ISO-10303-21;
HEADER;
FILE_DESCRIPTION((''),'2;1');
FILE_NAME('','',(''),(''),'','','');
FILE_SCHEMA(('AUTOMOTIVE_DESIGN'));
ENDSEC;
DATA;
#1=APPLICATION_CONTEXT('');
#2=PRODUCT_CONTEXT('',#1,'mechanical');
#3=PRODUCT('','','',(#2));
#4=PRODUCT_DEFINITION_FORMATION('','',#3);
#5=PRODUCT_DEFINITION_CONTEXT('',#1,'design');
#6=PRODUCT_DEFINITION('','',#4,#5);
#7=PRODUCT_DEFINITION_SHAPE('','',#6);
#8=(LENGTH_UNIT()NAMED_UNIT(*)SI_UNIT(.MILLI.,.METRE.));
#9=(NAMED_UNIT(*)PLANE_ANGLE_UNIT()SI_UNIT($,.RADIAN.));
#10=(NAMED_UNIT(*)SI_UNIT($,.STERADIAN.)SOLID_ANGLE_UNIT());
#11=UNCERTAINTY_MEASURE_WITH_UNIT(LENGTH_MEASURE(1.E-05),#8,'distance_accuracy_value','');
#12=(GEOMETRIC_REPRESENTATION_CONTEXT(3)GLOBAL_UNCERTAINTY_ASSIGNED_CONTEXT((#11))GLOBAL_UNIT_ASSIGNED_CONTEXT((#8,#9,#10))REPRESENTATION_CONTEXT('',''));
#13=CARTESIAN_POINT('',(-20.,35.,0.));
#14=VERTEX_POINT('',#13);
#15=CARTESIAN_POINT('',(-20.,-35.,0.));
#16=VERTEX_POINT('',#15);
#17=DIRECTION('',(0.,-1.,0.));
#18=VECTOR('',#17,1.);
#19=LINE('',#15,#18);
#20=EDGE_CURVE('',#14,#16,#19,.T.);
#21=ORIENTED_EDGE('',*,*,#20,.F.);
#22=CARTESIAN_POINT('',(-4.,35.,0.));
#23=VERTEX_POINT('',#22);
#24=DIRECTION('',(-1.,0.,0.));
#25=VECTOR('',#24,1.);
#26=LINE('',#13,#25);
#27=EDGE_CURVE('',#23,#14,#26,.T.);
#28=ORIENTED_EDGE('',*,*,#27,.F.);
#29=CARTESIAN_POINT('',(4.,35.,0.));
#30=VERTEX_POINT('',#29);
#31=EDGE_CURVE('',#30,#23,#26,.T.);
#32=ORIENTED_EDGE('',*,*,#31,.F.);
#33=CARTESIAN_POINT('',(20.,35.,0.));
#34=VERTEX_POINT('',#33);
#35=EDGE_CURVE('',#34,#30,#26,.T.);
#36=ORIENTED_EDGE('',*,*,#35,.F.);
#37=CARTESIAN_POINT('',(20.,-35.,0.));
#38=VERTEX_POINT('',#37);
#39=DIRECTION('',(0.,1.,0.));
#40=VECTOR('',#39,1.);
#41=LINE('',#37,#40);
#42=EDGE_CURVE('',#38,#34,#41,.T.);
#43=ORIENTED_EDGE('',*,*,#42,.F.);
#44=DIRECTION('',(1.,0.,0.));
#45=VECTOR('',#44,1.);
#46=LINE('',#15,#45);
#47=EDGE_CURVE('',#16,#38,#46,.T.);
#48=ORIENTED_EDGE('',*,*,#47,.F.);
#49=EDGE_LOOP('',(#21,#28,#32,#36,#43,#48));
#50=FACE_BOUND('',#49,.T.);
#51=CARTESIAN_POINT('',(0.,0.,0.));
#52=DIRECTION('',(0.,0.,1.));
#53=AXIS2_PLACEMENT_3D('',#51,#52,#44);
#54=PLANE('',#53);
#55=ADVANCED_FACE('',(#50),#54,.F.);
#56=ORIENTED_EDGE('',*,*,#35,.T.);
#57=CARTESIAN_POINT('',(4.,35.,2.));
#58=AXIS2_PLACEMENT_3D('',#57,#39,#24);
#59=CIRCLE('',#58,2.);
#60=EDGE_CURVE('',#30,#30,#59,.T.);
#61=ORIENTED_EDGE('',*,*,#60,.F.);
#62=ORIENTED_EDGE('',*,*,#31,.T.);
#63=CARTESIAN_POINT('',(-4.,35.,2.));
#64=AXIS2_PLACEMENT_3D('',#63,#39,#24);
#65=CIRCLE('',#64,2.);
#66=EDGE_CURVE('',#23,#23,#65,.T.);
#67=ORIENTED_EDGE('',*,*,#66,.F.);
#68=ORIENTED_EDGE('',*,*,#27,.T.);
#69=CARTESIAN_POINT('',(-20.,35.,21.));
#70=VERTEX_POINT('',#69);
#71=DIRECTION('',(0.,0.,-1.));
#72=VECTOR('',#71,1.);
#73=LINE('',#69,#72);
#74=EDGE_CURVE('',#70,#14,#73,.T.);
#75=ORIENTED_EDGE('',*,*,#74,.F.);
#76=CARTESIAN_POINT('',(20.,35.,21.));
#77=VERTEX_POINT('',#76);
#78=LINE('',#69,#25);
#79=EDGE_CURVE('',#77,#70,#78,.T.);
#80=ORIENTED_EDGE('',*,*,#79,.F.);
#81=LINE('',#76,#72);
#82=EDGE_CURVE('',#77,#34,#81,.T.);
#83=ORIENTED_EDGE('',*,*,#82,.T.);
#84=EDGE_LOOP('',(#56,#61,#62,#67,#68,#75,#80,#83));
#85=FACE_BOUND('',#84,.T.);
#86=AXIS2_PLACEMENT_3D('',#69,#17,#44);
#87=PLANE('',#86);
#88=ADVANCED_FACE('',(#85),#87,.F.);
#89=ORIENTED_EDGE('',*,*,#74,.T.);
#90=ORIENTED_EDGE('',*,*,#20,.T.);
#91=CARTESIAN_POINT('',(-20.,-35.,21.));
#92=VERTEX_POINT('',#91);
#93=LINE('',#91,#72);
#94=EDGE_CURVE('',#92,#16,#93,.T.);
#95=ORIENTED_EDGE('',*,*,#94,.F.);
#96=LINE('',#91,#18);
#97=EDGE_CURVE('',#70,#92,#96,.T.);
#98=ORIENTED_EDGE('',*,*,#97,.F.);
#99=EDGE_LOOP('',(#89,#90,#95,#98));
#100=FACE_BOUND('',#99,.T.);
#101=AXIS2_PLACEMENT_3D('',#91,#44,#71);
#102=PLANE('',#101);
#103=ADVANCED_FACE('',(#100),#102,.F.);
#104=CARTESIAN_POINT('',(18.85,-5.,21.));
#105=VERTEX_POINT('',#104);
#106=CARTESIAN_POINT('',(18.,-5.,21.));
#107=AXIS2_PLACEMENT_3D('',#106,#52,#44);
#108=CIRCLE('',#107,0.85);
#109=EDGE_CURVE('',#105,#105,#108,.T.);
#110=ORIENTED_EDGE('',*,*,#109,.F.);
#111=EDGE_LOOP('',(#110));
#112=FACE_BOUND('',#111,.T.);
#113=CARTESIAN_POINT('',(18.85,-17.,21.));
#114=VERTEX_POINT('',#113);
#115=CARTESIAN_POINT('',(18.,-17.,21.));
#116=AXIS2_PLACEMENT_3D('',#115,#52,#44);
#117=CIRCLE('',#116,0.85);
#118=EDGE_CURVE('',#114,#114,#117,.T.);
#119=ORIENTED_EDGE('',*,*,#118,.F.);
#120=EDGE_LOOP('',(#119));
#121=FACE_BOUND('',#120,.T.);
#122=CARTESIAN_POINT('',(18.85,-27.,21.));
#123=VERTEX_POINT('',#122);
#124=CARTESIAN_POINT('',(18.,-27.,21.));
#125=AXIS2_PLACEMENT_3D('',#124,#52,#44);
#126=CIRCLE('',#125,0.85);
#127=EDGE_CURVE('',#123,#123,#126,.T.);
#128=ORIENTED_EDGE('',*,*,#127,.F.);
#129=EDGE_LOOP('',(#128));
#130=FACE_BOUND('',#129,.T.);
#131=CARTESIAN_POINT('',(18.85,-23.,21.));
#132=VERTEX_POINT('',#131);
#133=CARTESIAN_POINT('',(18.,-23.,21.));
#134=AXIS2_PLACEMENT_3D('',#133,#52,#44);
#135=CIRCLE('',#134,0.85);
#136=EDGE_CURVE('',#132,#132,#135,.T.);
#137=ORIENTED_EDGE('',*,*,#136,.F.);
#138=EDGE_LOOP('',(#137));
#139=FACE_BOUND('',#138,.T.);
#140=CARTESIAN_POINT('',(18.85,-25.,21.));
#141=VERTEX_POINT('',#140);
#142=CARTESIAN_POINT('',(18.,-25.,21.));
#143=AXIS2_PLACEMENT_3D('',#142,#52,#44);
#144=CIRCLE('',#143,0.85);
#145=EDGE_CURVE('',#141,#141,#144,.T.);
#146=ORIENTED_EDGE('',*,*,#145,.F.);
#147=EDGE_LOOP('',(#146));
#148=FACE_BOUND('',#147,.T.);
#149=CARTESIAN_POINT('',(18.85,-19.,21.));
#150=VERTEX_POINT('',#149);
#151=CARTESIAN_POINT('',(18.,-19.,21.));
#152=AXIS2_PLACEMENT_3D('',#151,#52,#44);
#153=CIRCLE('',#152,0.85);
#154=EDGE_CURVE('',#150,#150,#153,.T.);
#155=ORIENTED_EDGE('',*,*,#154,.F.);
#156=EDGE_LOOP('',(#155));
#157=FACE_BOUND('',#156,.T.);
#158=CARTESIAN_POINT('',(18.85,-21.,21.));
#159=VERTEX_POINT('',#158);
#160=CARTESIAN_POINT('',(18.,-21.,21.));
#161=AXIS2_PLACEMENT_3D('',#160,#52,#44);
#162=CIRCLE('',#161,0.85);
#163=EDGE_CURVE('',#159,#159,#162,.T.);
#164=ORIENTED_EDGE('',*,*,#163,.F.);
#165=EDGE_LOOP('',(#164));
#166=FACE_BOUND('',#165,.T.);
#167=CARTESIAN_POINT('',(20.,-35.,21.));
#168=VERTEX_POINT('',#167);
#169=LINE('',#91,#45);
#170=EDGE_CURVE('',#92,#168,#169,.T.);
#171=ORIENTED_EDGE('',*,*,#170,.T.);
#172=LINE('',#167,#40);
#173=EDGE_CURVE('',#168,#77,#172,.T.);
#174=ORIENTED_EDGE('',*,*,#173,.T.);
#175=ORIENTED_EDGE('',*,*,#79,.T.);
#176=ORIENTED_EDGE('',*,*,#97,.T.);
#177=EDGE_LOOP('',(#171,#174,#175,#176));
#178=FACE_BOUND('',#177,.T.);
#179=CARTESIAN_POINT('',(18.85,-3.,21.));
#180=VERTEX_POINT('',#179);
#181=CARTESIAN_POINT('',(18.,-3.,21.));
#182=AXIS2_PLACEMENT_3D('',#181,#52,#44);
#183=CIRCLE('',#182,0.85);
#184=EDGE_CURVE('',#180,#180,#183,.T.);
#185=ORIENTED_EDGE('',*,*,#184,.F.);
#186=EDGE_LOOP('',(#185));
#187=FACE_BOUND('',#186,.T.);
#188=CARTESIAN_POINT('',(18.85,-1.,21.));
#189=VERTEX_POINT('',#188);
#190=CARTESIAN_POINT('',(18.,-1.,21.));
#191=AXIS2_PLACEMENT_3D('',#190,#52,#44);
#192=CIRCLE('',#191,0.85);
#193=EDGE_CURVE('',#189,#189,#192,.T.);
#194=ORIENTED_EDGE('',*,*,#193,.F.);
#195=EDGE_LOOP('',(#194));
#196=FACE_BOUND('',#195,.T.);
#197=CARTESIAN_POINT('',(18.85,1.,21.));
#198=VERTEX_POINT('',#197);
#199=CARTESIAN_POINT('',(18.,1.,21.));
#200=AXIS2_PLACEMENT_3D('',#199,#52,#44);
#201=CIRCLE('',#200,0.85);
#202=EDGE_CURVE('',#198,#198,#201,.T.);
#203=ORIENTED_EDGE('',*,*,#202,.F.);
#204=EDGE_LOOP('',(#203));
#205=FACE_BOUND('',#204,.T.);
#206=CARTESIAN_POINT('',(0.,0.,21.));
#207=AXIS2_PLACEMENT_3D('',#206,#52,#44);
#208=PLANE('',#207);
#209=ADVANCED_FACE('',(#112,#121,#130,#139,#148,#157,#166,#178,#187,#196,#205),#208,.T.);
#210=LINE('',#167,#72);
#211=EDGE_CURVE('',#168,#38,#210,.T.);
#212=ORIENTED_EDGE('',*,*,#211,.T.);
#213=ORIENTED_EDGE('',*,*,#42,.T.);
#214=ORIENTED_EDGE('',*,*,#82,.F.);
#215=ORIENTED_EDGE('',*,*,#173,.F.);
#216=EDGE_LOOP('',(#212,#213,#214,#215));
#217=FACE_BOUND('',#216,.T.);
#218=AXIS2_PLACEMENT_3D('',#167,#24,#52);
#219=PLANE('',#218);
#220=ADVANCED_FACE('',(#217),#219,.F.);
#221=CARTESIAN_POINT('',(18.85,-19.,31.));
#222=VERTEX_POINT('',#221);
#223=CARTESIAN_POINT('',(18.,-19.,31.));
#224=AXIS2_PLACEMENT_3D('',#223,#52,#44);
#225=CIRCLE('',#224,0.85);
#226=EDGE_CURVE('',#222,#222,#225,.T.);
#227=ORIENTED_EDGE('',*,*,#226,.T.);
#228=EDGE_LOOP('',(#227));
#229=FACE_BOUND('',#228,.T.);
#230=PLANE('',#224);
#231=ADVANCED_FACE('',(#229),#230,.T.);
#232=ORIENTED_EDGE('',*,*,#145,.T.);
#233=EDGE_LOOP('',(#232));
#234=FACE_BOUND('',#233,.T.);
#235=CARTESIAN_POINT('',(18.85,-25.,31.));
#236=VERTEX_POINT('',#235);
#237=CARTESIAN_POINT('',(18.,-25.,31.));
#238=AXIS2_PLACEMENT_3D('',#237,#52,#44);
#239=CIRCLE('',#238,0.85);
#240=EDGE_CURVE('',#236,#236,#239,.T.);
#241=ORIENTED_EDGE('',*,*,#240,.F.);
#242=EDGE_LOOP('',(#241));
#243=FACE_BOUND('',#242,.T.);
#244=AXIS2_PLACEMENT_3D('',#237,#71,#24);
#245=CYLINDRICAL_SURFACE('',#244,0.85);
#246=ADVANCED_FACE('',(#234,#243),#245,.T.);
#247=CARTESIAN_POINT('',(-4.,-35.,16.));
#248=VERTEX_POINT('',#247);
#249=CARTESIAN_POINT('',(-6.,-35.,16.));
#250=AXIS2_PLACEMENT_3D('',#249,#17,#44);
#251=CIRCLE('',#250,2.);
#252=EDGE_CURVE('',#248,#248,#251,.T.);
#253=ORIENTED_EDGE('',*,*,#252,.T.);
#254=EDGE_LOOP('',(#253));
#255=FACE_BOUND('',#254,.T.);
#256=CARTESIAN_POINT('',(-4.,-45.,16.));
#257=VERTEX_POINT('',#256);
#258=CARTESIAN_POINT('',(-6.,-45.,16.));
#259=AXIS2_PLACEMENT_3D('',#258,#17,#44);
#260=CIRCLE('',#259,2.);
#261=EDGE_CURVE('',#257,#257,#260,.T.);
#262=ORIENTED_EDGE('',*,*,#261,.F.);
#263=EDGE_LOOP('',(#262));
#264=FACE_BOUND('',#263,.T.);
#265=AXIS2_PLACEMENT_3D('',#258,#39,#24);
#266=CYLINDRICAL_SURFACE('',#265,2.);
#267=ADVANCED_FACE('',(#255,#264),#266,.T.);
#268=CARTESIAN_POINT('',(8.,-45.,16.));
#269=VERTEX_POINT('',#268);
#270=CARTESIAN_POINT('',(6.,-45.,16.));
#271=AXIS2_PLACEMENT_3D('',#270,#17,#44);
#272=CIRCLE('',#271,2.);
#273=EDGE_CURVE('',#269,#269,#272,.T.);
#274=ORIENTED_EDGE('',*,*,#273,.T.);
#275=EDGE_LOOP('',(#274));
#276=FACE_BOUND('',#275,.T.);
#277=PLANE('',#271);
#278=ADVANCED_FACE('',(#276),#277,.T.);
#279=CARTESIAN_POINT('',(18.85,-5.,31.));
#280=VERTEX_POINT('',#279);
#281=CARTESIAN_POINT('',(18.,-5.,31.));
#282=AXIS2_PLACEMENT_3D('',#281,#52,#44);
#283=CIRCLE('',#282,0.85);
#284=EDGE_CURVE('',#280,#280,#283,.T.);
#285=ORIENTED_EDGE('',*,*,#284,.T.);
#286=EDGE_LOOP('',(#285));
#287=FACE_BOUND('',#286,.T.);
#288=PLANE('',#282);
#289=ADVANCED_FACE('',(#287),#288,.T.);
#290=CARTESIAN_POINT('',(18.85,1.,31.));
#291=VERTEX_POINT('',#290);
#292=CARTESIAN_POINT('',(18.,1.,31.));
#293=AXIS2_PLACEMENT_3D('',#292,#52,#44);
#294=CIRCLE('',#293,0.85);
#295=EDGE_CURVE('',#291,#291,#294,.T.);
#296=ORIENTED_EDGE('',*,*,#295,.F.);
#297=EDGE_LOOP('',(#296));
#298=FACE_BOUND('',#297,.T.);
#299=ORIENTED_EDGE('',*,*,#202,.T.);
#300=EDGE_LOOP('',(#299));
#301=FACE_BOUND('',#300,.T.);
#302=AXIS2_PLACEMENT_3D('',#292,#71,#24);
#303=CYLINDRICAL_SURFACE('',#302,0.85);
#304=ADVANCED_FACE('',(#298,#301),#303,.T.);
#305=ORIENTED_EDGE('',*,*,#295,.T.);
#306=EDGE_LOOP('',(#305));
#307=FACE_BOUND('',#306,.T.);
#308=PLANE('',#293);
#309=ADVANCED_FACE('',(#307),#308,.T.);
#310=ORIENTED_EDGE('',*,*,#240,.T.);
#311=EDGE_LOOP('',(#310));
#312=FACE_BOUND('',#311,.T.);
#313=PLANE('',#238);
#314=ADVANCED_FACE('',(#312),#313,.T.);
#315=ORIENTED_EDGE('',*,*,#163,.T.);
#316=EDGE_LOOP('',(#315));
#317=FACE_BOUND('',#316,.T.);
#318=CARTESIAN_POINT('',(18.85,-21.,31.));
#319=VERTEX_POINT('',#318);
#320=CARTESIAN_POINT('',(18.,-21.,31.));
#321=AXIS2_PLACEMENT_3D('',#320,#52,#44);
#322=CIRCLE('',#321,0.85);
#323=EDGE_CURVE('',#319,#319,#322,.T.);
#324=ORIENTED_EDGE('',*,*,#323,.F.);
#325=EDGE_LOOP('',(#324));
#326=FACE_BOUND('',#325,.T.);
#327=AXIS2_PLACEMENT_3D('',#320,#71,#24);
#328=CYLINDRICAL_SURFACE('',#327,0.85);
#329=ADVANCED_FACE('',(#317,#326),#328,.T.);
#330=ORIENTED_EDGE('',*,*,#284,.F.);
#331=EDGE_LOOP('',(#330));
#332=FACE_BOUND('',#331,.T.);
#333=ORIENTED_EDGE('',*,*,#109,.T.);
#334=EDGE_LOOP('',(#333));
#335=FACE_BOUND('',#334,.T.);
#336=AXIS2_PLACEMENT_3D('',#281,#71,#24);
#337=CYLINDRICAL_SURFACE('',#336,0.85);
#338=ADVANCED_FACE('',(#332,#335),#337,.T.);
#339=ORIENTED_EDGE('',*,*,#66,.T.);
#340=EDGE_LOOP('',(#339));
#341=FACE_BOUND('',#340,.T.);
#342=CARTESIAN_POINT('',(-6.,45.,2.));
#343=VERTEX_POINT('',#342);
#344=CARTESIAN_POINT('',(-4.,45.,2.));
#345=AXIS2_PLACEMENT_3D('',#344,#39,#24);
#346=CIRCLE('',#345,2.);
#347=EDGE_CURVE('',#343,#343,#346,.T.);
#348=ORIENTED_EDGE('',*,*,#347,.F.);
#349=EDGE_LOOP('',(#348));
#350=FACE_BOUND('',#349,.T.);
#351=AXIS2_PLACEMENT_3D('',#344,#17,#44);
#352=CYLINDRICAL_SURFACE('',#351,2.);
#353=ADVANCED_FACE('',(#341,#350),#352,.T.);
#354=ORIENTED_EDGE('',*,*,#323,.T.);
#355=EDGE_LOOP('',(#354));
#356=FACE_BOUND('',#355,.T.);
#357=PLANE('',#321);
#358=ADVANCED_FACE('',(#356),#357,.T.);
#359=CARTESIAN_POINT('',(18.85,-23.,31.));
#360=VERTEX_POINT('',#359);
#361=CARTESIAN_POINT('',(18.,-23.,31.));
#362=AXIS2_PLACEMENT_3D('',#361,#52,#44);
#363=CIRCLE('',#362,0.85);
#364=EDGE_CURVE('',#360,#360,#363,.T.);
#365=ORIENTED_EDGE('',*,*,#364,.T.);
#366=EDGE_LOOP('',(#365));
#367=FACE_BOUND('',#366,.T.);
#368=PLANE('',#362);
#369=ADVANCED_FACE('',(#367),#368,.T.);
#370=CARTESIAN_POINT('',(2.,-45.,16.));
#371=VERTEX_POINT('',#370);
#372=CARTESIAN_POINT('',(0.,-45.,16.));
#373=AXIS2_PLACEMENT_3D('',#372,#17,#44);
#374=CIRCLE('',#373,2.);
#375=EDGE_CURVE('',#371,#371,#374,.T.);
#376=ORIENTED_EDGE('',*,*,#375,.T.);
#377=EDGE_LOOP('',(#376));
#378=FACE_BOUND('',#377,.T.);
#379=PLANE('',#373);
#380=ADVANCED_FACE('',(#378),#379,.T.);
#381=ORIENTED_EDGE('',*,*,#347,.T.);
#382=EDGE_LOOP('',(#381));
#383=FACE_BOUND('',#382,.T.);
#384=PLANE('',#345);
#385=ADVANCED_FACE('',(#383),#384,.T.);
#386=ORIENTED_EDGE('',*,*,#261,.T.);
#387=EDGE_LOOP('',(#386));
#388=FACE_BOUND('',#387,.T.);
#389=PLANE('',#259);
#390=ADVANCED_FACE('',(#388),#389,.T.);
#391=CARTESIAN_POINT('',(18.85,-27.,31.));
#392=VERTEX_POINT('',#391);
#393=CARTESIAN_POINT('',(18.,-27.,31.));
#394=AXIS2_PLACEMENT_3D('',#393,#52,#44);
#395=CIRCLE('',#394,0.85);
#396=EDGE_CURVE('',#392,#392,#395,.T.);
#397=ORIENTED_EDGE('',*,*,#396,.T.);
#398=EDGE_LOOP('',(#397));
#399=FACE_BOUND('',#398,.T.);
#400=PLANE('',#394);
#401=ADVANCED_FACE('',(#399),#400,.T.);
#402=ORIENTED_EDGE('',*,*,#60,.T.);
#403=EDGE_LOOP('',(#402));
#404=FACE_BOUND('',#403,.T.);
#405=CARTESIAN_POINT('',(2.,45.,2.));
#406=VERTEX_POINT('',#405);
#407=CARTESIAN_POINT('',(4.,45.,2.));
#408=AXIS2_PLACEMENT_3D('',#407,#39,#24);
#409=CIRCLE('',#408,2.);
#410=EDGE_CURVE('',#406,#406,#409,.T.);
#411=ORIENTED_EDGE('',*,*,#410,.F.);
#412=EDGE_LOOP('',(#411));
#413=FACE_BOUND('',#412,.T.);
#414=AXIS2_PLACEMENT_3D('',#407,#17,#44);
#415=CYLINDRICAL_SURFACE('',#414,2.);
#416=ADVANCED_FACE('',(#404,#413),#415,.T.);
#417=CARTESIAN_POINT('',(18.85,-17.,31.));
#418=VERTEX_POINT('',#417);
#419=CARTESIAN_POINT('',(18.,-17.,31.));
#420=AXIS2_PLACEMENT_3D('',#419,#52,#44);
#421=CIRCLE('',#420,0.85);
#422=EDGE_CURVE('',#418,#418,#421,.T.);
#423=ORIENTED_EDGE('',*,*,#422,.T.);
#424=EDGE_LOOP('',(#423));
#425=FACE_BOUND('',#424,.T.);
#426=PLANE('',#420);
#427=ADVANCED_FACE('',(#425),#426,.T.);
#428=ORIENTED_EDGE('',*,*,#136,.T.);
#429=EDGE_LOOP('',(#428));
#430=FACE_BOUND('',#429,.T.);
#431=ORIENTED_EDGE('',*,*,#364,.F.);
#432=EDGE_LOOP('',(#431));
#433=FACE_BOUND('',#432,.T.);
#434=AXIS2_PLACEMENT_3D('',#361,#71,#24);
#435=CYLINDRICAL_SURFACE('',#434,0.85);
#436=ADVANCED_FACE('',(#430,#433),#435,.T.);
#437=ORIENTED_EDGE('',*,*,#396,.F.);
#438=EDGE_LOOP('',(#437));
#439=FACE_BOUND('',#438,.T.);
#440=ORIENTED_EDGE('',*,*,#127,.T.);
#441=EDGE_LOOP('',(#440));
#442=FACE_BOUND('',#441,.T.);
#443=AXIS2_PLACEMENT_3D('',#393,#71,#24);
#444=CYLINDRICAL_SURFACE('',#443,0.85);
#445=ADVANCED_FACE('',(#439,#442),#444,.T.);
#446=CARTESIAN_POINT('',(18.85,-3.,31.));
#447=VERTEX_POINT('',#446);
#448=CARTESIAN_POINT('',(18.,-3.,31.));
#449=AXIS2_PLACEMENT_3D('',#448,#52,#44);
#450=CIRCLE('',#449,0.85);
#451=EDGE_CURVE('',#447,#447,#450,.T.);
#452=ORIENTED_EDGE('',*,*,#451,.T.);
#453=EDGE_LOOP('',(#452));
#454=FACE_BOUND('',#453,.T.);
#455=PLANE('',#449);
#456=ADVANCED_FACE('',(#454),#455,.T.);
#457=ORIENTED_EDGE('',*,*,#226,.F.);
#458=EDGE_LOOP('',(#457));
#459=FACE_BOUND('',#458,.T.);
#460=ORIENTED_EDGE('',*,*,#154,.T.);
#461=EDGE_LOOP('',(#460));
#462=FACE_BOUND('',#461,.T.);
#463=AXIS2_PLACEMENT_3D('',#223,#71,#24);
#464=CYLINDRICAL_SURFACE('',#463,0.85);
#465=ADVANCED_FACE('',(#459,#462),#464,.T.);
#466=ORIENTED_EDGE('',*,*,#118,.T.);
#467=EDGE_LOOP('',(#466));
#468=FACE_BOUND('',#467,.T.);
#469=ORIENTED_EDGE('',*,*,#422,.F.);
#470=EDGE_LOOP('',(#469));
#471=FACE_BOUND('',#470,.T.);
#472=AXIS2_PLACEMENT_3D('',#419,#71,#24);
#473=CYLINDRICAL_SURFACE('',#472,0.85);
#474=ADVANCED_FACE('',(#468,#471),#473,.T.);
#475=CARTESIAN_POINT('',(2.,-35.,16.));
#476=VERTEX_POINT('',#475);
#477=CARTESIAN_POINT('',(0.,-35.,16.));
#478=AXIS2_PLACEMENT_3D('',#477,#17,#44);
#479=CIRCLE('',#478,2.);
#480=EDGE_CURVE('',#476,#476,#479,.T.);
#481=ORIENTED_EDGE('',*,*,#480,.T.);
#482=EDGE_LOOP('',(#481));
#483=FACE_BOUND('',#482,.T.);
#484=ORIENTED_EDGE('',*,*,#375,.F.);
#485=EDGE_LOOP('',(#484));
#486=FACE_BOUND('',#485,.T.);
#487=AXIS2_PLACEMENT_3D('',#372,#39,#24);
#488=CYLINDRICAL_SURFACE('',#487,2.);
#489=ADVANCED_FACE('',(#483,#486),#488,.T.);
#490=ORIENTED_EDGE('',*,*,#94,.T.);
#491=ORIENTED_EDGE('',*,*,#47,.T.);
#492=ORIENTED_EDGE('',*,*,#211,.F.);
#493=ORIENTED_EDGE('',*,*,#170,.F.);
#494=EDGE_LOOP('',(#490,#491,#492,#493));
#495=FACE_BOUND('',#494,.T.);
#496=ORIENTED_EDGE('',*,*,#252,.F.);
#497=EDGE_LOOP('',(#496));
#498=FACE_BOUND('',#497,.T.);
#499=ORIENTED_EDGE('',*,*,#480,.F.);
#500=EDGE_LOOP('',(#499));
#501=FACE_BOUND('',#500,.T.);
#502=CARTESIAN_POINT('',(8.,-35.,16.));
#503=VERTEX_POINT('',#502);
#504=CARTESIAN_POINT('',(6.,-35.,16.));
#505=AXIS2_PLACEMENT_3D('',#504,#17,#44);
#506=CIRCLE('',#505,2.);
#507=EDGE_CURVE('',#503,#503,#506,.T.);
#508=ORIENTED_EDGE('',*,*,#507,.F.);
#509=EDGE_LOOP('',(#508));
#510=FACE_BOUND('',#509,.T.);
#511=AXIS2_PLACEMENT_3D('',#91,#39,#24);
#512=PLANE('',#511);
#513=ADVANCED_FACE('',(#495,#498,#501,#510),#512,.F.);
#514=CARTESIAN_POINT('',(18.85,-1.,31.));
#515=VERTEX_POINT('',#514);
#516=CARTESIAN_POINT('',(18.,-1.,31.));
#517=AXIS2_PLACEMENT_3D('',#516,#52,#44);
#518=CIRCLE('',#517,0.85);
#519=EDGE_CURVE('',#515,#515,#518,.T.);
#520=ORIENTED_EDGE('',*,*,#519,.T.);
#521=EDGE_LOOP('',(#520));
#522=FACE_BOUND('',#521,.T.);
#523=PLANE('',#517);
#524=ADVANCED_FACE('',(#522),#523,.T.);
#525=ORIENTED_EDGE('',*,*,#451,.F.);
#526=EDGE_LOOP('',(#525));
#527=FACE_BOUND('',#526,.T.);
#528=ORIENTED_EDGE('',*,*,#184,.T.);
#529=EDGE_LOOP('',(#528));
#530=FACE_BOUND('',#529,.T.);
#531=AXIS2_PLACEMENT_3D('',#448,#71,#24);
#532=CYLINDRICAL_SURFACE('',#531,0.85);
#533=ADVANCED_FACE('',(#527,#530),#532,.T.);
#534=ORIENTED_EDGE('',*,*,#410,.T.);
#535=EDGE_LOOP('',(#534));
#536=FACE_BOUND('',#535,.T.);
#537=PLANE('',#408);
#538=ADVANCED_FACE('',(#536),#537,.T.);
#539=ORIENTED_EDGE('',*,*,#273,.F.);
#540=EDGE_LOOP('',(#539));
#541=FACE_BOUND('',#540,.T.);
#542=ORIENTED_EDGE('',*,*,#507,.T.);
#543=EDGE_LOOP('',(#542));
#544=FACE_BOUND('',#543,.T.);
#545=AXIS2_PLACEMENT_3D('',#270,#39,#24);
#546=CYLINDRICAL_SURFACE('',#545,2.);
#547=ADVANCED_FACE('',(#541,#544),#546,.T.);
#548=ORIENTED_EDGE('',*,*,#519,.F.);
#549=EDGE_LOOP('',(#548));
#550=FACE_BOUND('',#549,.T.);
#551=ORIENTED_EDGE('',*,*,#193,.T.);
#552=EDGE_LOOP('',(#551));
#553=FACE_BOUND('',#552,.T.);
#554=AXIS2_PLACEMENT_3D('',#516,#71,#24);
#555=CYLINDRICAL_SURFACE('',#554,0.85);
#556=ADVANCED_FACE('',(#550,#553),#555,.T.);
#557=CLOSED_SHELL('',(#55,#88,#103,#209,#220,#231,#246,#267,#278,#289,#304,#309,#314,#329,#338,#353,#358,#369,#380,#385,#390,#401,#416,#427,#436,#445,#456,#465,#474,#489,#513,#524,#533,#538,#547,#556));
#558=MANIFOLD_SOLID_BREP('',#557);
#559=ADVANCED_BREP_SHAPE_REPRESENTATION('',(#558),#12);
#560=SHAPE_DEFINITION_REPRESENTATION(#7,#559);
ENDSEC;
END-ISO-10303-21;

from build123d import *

# Parameters (mm, degrees)
SKETCH1_W           = 70
SKETCH1_H           = 40
BOSS_EXTRUDE1_DEPTH = 21
SKETCH2_R           = 2
BOSS_EXTRUDE2_DEPTH = 10
SKETCH3_R           = 2
BOSS_EXTRUDE3_DEPTH = 10
SKETCH4_R           = 0.85
BOSS_EXTRUDE4_DEPTH = 10


with BuildPart() as part:
    # Sketch1 → Boss-Extrude1 (new body)
    with BuildSketch(Plane(origin=(0, 0, 0), x_dir=(0, 1, 0), z_dir=(0, 0, 1))):
        Rectangle(SKETCH1_W, SKETCH1_H)
    extrude(amount=BOSS_EXTRUDE1_DEPTH)

    # Sketch2 → Boss-Extrude2 (add)
    with BuildSketch(Plane.XZ.offset(35)):
        with Locations((-6, 16)):
            Circle(SKETCH2_R)
        with Locations((0, 16)):
            Circle(SKETCH2_R)
        with Locations((6, 16)):
            Circle(SKETCH2_R)
    extrude(amount=BOSS_EXTRUDE2_DEPTH)

    # Sketch3 → Boss-Extrude3 (add)
    with BuildSketch(Plane(origin=(0, 35, 0), x_dir=(-1, 0, 0), z_dir=(0, 1, 0))):
        with Locations(Location((-4, 2, 0), (0, 0, 270))):
            Circle(SKETCH3_R)
        with Locations(Location((4, 2, 0), (0, 0, 270))):
            Circle(SKETCH3_R)
    extrude(amount=BOSS_EXTRUDE3_DEPTH)

    # Sketch4 → Boss-Extrude4 (add)
    with BuildSketch(Plane.XY.offset(21)):
        with Locations((18, -27)):
            Circle(SKETCH4_R)
        with Locations((18, -25)):
            Circle(SKETCH4_R)
        with Locations((18, -23)):
            Circle(SKETCH4_R)
        with Locations((18, -21)):
            Circle(SKETCH4_R)
        with Locations((18, -19)):
            Circle(SKETCH4_R)
        with Locations((18, -17)):
            Circle(SKETCH4_R)
        with Locations((18, -5)):
            Circle(SKETCH4_R)
        with Locations((18, -3)):
            Circle(SKETCH4_R)
        with Locations((18, -1)):
            Circle(SKETCH4_R)
        with Locations((18, 1)):
            Circle(SKETCH4_R)
    extrude(amount=BOSS_EXTRUDE4_DEPTH)


solid = part.part
